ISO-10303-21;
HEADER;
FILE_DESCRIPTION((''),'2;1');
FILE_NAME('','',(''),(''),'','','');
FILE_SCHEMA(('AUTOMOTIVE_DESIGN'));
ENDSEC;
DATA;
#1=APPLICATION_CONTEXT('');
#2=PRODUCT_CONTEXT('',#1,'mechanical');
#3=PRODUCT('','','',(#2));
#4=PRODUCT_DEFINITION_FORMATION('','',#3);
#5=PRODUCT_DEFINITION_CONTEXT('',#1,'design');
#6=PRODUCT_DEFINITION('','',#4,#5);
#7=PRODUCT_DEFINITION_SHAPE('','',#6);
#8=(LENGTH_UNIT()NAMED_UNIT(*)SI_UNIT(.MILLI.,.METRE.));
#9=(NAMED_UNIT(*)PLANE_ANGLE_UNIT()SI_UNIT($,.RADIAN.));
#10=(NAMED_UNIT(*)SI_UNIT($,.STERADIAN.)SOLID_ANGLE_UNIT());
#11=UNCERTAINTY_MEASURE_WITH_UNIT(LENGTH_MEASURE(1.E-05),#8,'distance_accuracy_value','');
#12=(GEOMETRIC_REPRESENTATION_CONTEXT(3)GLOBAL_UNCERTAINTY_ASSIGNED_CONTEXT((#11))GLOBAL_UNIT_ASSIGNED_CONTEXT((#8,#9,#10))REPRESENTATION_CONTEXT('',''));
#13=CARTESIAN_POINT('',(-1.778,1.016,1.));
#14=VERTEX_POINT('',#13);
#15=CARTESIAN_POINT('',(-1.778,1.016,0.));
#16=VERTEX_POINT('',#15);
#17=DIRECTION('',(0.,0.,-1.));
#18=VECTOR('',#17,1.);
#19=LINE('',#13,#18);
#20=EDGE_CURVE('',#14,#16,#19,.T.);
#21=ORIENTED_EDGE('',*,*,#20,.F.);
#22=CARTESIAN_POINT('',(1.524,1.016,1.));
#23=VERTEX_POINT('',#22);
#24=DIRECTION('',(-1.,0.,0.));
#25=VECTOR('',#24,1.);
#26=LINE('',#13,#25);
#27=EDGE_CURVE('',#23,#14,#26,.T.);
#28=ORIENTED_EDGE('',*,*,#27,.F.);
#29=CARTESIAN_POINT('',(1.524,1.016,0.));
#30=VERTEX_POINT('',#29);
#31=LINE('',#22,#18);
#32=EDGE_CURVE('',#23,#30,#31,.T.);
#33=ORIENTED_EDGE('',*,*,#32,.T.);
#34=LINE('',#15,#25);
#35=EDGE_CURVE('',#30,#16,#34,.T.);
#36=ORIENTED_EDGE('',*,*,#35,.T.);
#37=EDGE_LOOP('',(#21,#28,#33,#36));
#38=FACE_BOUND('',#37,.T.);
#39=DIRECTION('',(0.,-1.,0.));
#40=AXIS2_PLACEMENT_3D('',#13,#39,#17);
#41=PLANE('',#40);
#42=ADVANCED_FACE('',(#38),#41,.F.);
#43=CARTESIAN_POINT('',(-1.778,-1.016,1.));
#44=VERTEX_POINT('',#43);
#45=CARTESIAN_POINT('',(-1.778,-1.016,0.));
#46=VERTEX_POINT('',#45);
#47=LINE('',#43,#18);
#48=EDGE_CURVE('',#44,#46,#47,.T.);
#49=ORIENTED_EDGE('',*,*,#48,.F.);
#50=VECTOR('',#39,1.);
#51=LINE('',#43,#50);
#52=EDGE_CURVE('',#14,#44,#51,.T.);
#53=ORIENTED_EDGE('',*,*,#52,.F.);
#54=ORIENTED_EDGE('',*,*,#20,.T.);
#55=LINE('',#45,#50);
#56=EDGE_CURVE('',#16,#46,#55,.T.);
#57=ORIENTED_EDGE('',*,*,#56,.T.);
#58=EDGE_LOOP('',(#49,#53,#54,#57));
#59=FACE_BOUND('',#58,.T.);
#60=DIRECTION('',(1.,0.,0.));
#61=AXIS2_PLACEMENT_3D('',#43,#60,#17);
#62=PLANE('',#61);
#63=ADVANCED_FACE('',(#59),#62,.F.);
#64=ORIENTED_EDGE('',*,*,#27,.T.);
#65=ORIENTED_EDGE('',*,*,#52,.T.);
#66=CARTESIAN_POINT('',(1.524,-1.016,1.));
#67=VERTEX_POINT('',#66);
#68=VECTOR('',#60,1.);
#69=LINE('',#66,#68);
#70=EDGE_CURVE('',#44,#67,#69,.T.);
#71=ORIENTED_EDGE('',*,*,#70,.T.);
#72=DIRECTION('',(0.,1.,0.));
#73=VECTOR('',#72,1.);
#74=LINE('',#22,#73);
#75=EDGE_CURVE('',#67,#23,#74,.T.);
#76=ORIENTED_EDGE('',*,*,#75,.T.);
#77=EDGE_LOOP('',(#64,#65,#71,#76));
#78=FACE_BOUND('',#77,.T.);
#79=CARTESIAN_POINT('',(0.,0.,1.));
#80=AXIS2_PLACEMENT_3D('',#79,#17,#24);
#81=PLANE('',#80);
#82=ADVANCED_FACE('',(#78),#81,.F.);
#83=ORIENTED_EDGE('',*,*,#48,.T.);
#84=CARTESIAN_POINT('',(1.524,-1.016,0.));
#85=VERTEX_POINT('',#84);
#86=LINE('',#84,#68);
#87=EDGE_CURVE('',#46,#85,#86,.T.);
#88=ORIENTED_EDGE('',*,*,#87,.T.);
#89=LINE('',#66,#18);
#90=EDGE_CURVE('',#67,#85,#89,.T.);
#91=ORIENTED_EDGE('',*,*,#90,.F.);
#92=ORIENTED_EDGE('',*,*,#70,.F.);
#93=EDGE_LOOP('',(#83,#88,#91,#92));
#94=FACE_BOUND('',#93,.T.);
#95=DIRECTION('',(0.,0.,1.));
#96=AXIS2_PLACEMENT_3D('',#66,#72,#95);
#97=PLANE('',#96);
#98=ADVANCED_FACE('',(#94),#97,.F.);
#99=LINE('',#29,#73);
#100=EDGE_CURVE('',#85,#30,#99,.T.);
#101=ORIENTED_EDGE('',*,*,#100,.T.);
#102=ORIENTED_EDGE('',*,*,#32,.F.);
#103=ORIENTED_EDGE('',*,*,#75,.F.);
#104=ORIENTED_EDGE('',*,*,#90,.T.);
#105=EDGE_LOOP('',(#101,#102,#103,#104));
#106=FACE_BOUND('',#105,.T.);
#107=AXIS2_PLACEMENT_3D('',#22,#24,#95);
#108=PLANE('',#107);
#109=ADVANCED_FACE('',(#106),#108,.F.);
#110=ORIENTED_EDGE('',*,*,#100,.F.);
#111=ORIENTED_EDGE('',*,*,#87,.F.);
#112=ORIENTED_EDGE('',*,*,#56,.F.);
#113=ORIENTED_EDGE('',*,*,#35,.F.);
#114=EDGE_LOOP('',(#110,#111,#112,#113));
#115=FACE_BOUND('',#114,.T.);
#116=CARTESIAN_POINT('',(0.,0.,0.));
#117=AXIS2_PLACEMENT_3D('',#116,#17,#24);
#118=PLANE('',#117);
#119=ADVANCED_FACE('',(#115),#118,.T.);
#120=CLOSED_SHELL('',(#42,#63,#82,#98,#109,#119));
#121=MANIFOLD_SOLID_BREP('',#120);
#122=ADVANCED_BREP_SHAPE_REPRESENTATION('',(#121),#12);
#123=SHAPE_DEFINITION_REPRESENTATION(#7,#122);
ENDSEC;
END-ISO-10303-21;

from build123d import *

# Parameters (mm, degrees)
SKETCH1_W               = 3.302
SKETCH1_H               = 2.032
COMPONENT_OUTLINE_DEPTH = 1


with BuildPart() as part:
    # Sketch1 → Component_Outline (new body)
    with BuildSketch(Plane.XY):
        with Locations((-0.127, 0)):
            Rectangle(SKETCH1_W, SKETCH1_H)
    extrude(amount=COMPONENT_OUTLINE_DEPTH)


solid = part.part
